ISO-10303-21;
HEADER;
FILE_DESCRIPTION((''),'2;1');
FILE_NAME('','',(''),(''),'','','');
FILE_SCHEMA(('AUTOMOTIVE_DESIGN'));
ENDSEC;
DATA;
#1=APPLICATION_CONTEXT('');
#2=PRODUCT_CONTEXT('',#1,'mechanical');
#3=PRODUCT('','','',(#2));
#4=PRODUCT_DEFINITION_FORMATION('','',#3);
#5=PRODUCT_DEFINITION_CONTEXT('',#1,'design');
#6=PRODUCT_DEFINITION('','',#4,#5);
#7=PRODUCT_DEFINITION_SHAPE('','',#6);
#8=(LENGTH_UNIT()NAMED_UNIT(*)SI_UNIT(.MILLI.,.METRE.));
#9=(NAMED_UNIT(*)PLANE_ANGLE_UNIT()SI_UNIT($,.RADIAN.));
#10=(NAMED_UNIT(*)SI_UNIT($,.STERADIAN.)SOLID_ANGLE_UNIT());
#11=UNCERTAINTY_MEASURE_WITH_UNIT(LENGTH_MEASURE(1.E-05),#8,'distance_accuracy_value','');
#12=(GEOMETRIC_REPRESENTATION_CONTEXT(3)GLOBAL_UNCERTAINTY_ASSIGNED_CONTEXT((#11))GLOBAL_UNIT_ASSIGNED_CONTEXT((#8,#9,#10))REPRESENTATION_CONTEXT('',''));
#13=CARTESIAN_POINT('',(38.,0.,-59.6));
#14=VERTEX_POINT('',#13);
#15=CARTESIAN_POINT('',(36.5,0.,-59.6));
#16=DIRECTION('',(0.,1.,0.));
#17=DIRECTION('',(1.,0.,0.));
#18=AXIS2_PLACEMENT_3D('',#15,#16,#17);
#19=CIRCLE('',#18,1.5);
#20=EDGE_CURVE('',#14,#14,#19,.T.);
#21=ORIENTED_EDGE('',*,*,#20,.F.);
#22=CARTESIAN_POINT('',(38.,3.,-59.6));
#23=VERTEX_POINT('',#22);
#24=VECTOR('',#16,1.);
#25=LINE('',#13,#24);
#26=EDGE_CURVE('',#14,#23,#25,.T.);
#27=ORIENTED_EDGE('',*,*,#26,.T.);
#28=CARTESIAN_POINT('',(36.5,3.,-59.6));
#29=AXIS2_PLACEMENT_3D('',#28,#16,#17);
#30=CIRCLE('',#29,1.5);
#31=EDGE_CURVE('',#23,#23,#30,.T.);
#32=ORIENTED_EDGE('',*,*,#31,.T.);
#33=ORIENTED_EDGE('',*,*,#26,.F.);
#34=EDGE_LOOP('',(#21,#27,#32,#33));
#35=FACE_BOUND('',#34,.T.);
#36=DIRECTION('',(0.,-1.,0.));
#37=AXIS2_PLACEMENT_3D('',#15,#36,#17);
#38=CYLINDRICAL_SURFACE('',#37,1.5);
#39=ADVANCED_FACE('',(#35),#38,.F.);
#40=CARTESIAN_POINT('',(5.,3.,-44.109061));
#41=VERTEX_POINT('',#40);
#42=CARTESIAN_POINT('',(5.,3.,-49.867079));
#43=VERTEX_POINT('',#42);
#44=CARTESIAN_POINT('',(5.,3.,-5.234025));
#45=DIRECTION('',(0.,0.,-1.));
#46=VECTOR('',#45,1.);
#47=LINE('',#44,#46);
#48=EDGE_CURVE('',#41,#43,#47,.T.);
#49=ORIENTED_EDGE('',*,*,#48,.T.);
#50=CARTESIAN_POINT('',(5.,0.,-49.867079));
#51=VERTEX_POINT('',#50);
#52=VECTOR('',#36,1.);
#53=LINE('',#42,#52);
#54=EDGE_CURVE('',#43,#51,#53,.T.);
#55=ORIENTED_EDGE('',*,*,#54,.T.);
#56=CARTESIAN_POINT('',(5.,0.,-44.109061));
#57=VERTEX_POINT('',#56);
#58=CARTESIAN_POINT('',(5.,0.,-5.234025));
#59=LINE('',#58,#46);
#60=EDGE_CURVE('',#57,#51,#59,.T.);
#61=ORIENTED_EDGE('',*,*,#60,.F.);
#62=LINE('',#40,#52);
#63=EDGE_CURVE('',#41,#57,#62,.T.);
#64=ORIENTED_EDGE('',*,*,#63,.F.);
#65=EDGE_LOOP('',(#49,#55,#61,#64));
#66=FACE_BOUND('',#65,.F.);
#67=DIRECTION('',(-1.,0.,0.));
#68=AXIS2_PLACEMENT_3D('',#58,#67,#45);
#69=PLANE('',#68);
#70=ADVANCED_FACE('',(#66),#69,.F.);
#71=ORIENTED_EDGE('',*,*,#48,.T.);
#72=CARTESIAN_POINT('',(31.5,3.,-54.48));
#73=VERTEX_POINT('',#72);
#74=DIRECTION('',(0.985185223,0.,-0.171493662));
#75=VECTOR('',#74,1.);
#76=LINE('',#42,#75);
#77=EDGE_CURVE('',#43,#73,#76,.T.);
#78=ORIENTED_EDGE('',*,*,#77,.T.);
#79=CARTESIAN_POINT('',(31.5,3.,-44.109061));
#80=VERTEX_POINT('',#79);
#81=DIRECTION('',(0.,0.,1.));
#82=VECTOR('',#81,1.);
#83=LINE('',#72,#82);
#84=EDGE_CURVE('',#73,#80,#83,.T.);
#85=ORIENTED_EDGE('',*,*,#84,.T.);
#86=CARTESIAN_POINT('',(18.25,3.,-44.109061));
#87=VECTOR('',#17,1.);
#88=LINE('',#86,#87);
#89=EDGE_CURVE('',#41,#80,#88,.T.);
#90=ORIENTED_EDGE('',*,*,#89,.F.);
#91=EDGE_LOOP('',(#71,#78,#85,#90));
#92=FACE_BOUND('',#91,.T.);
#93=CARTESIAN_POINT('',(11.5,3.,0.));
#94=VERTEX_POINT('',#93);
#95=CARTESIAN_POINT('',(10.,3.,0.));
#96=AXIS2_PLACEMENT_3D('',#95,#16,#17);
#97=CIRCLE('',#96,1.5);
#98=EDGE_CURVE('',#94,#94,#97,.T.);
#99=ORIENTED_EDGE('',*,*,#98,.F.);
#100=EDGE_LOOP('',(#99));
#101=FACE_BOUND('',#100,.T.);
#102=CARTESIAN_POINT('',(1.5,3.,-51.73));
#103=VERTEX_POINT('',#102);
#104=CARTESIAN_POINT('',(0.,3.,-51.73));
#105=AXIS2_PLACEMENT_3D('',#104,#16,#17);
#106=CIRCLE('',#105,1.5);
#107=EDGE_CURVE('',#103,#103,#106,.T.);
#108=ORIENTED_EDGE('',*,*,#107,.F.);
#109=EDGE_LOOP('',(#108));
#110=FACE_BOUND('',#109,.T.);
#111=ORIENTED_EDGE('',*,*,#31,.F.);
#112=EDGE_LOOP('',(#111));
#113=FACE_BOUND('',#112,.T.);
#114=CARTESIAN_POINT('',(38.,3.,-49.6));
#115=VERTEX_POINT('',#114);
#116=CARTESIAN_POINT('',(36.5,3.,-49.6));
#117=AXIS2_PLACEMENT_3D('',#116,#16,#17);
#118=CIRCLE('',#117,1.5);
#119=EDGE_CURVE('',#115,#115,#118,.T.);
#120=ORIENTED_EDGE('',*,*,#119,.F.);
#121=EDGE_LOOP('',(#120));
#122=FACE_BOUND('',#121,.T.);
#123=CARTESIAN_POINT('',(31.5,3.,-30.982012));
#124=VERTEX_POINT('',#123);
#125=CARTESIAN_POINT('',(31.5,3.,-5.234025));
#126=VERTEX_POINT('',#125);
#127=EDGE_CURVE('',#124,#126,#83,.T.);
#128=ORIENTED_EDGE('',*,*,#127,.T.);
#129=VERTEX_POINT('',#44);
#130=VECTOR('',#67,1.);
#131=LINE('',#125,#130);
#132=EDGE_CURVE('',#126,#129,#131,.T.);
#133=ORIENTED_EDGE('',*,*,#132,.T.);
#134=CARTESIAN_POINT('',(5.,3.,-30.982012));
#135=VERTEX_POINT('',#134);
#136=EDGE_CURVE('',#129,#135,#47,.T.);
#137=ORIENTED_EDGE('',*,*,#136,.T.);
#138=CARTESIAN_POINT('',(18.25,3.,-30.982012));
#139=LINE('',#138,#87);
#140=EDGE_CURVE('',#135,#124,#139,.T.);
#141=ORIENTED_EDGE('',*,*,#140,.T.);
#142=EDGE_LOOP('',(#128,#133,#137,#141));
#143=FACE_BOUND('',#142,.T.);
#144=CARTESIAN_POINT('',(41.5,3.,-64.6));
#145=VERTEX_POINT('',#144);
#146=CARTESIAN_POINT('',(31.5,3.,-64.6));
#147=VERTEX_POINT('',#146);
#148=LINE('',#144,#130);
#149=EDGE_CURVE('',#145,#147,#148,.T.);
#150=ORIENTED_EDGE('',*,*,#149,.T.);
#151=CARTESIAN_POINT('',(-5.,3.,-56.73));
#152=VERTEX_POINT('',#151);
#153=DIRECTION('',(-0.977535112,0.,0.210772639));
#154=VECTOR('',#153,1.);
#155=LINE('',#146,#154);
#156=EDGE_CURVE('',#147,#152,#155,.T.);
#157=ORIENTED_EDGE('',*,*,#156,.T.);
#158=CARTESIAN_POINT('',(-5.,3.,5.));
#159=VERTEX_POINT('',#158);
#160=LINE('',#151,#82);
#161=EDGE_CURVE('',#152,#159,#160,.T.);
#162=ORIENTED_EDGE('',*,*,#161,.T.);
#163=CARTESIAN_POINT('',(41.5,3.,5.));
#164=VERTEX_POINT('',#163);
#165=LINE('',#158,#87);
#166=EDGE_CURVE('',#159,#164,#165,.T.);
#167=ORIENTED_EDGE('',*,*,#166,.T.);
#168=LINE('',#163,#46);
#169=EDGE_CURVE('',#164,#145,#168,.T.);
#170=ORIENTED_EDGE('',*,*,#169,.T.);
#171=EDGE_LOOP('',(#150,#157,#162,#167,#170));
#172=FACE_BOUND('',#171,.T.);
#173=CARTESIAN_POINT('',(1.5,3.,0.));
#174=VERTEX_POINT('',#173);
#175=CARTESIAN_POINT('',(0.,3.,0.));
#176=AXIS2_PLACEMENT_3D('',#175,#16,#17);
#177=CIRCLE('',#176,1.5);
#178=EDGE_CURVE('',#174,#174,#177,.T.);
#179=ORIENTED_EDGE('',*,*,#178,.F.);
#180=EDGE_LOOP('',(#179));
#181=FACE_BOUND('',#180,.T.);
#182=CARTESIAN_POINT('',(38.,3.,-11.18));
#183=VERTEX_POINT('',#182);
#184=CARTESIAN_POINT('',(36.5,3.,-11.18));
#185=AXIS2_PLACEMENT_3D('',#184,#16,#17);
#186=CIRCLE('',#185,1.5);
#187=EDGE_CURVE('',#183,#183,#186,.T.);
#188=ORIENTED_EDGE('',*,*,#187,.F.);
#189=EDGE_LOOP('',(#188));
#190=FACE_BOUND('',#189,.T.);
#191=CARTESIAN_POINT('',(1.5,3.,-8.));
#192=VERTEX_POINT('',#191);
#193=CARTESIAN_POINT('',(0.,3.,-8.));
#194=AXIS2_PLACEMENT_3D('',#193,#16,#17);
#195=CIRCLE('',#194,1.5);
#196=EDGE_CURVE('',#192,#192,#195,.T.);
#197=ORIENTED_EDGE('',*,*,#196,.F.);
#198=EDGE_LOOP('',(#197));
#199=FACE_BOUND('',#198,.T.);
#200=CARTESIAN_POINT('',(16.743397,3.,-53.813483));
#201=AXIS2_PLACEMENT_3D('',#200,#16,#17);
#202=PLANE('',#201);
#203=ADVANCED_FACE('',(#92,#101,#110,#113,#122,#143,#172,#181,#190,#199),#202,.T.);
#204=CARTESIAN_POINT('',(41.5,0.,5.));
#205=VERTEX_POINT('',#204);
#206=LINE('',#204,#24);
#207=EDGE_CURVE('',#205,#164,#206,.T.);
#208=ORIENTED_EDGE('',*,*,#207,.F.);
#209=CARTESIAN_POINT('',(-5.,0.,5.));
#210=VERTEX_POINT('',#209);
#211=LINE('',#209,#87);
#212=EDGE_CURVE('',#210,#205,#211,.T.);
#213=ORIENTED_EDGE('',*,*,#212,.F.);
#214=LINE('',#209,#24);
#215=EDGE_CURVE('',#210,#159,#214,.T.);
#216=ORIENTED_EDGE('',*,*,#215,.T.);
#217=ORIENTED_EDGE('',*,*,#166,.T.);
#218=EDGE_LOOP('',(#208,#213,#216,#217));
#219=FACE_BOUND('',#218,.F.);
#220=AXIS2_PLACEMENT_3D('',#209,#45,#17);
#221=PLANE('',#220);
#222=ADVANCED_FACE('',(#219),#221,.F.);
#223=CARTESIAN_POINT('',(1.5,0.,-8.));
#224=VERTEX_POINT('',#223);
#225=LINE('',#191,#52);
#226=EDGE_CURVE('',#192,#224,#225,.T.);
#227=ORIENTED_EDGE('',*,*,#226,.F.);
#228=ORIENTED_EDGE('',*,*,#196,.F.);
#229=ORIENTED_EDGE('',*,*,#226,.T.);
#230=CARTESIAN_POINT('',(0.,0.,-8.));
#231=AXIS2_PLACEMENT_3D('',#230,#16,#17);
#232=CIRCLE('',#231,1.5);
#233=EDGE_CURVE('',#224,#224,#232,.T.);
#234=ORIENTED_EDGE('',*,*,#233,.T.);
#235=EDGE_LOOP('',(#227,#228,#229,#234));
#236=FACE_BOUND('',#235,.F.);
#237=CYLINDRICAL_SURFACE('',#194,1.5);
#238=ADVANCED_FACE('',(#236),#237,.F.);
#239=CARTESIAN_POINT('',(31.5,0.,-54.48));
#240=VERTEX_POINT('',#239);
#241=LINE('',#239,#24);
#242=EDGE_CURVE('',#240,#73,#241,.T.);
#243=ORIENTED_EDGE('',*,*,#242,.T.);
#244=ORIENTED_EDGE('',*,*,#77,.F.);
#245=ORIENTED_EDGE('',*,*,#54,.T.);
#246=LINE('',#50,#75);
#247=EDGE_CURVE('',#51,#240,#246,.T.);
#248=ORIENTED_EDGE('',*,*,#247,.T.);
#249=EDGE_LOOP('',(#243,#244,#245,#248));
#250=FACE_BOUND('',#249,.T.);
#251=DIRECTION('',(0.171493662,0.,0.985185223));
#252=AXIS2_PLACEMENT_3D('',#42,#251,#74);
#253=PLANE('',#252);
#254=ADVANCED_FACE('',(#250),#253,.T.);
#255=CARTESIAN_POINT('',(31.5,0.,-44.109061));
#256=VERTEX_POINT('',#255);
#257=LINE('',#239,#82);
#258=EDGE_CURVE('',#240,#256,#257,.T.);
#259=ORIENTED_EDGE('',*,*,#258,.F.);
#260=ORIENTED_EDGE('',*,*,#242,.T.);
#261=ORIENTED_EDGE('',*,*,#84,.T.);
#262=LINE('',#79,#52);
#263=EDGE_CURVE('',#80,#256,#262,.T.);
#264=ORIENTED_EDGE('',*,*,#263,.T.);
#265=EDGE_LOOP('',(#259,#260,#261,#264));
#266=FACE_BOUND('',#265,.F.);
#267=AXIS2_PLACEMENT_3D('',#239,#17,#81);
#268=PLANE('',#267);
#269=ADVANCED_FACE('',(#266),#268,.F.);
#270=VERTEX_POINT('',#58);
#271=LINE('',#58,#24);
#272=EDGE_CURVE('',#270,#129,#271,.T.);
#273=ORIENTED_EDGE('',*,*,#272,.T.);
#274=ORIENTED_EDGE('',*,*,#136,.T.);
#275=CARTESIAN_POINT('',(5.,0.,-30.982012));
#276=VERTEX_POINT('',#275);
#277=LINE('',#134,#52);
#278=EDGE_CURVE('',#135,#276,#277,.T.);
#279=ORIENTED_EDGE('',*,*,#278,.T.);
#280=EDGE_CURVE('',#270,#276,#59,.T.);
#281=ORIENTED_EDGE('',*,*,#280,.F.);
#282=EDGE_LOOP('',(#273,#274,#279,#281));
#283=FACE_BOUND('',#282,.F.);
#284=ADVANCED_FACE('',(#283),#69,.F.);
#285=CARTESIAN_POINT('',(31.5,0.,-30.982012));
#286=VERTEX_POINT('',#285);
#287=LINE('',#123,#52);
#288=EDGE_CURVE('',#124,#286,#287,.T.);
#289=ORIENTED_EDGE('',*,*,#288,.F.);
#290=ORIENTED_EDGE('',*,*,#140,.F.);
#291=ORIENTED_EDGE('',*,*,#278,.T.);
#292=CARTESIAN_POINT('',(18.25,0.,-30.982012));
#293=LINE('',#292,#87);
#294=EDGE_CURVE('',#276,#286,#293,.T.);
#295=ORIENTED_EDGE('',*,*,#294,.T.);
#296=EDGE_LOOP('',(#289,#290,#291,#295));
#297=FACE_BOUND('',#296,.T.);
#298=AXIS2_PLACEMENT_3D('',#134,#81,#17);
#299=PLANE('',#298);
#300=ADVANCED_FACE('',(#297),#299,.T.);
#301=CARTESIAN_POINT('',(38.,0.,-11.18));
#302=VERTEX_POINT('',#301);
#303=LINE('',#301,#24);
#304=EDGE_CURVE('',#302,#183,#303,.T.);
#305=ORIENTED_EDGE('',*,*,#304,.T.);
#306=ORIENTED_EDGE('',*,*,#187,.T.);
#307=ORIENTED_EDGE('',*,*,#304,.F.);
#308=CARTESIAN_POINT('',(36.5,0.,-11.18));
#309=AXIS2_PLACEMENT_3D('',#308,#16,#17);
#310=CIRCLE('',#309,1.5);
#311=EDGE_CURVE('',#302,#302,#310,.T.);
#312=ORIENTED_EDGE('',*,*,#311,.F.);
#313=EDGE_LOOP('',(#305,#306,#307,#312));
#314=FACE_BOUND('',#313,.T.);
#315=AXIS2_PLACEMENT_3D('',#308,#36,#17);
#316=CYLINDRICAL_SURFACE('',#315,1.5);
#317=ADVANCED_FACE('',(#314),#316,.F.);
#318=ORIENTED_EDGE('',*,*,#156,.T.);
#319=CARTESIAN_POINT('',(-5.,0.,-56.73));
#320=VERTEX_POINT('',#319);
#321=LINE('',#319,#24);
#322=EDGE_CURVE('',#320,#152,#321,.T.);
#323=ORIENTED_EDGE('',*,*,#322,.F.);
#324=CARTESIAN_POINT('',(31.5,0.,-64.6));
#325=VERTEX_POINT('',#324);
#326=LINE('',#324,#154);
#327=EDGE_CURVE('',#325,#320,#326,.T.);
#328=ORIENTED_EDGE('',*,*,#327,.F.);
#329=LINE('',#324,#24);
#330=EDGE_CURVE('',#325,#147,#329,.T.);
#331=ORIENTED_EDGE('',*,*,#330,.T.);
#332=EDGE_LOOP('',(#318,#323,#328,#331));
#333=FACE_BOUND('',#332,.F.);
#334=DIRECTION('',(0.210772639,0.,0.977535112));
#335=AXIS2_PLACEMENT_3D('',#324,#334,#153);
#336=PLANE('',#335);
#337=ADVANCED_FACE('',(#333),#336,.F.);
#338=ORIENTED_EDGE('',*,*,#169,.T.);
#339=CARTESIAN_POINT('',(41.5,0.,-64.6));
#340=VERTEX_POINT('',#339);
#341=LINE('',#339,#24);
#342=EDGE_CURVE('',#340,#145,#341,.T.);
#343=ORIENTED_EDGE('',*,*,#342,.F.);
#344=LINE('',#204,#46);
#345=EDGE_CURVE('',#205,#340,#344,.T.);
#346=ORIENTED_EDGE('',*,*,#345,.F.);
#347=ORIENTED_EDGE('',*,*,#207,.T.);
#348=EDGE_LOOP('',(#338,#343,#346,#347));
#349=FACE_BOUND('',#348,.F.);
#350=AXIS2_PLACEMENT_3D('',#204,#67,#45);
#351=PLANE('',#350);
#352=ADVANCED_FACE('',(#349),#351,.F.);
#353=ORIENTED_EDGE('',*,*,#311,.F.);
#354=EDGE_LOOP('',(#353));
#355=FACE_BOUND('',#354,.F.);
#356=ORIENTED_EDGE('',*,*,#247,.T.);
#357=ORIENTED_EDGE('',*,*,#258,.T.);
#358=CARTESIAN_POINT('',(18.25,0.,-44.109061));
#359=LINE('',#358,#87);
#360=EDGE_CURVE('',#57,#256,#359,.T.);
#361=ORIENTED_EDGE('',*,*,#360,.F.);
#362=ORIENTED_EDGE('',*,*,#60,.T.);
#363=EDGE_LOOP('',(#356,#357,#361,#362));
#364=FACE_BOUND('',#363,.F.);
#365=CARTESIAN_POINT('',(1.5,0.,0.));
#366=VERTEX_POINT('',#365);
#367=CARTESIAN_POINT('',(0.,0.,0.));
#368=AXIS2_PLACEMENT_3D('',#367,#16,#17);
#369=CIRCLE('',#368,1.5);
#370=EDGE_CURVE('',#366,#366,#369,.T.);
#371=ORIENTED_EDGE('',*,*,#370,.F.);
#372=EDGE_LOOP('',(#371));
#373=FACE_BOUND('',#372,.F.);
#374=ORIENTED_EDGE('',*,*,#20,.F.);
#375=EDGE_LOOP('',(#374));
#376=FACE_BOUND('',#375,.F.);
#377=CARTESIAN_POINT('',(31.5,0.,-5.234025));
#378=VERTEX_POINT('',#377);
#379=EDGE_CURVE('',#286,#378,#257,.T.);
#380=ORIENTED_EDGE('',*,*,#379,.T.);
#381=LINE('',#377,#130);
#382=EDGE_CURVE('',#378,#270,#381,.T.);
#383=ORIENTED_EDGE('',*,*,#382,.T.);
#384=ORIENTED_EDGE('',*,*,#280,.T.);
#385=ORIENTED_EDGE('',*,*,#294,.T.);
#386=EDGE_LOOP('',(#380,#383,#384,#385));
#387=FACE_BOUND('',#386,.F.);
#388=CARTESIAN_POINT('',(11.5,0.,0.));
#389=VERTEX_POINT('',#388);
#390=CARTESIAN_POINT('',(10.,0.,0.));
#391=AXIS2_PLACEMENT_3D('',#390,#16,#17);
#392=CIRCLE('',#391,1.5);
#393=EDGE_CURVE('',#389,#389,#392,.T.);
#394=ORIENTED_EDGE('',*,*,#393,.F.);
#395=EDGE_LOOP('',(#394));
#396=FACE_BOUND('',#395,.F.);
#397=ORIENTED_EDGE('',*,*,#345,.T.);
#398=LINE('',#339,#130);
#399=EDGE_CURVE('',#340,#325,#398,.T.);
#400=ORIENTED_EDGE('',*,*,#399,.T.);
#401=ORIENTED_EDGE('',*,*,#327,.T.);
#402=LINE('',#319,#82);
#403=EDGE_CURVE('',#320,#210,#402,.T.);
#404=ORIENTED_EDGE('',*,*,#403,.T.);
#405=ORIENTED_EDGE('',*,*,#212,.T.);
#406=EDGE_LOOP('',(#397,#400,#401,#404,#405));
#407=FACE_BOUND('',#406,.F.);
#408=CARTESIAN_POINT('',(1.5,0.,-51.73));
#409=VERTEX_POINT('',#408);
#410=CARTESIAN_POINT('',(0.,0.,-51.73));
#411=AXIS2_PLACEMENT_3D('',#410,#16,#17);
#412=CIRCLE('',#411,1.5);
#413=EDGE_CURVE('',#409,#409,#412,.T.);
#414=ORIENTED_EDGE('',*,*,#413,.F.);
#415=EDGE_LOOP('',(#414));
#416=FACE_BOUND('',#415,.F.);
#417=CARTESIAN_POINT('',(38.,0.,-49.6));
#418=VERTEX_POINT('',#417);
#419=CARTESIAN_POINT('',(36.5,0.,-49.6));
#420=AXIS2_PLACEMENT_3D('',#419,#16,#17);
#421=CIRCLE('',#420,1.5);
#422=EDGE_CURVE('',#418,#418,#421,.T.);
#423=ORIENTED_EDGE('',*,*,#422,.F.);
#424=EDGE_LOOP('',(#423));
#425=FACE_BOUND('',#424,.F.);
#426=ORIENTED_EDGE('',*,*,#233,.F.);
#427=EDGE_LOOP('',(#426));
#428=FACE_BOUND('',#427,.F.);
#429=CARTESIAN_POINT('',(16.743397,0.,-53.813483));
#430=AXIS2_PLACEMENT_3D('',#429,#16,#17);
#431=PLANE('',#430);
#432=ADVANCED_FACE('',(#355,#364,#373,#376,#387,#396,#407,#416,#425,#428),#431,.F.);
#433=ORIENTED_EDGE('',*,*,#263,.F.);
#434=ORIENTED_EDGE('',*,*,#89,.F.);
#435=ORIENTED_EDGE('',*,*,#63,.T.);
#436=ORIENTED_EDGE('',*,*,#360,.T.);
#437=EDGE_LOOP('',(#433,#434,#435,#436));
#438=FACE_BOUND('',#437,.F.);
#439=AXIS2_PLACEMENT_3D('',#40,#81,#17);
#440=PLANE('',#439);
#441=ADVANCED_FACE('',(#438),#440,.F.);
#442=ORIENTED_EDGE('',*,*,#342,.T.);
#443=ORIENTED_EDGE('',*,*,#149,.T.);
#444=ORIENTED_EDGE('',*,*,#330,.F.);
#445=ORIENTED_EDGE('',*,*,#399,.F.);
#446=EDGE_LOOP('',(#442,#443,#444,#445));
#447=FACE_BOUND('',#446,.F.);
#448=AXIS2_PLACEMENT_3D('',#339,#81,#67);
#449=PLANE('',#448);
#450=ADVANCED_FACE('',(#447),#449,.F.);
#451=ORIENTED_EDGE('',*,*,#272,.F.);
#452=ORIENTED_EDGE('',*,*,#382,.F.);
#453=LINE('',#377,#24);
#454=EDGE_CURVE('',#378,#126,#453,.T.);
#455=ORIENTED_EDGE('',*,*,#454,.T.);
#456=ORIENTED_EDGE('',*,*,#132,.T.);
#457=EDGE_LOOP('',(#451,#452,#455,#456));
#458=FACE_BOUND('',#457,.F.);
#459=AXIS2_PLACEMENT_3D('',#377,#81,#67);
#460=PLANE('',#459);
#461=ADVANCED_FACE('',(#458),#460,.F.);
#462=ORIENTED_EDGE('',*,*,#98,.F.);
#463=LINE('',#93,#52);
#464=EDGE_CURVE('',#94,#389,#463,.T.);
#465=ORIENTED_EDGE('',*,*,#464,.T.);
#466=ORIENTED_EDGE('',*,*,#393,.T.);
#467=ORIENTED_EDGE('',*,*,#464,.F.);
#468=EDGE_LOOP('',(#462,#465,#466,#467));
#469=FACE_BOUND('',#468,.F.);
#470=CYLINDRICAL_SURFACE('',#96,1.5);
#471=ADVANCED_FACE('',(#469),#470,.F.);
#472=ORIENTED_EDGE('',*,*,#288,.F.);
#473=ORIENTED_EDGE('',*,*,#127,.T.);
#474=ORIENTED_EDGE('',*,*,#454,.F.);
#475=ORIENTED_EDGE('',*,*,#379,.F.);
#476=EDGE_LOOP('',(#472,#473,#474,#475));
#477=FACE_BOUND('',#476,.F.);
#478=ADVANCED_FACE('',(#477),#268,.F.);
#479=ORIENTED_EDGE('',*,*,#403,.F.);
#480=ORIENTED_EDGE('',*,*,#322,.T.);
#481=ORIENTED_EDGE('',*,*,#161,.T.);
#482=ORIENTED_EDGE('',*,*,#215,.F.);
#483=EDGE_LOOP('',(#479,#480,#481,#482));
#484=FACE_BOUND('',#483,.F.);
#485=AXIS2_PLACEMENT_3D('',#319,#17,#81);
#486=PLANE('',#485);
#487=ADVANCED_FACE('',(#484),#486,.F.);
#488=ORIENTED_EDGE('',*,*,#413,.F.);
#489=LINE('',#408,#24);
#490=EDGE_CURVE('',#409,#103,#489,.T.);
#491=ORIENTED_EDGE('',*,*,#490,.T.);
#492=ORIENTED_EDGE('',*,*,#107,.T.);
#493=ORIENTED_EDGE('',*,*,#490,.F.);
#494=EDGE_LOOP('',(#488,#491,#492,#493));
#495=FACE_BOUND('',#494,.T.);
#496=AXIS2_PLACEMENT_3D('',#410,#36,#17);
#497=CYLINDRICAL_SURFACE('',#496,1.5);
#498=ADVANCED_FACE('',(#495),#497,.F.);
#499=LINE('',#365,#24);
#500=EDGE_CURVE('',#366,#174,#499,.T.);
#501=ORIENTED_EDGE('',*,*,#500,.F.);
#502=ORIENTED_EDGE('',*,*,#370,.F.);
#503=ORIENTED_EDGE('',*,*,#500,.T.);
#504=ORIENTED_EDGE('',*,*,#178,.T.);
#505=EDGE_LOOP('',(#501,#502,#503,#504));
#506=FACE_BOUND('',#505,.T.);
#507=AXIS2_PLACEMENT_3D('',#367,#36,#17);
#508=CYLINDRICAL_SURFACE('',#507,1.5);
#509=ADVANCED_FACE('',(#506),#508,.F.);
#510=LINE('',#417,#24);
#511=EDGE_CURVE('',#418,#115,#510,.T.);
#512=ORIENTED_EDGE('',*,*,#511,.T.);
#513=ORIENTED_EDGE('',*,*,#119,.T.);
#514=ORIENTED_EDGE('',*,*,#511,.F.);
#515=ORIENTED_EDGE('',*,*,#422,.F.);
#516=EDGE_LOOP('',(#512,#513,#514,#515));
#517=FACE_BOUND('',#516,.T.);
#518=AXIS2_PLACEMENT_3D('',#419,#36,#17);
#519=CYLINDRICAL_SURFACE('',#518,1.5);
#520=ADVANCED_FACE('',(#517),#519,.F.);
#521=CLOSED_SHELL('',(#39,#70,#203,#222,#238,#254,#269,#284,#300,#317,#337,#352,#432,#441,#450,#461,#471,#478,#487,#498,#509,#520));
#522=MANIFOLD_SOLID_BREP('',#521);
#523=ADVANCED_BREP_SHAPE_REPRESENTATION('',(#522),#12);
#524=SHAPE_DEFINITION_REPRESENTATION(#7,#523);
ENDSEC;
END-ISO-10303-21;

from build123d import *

# Parameters (mm, degrees)
SKETCH1_R           = 1.5
BOSS_EXTRUDE1_DEPTH = 3
SKETCH2_W           = 26.5
SKETCH2_H           = 13.12704922
BOSS_EXTRUDE2_DEPTH = 3
SKETCH3_R           = 1.5
CUT_EXTRUDE1_DEPTH  = 10
SKETCH4_R           = 1.5
CUT_EXTRUDE2_DEPTH  = 10


with BuildPart() as part:
    # Sketch1 → Boss-Extrude1 (new body)
    with BuildSketch(Plane(origin=(0, 0, 0), x_dir=(1, 0, 0), z_dir=(0, 1, 0))):
        Polygon((-5, -5), (41.5, -5), (41.5, 64.6), (31.5, 64.6), (-5, 56.73), align=None)
        Polygon((31.5, 54.48), (31.5, 5.234024539), (5, 5.234024539), (5, 56.73), align=None, mode=Mode.SUBTRACT)
        Circle(SKETCH1_R, mode=Mode.SUBTRACT)
        with Locations((0, 51.73)):
            Circle(SKETCH1_R, mode=Mode.SUBTRACT)
        with Locations((36.5, 59.6)):
            Circle(SKETCH1_R, mode=Mode.SUBTRACT)
        with Locations((36.5, 11.18)):
            Circle(SKETCH1_R, mode=Mode.SUBTRACT)
        with Locations((36.5, 49.6)):
            Circle(SKETCH1_R, mode=Mode.SUBTRACT)
    extrude(amount=BOSS_EXTRUDE1_DEPTH)

    # Sketch2 → Boss-Extrude2 (add)
    with BuildSketch(Plane(origin=(0, 3, 0), x_dir=(1, 0, 0), z_dir=(0, 1, 0))):
        with Locations((18.25, 37.545536879)):
            Rectangle(SKETCH2_W, SKETCH2_H)
        Polygon((5, 56.73), (5, 49.867078553), (31.5, 54.48), align=None)
    extrude(amount=-BOSS_EXTRUDE2_DEPTH)

    # Sketch3 → Cut-Extrude1 (cut)
    with BuildSketch(Plane(origin=(0, 3, 0), x_dir=(1, 0, 0), z_dir=(0, 1, 0))):
        with Locations((10, 0)):
            Circle(SKETCH3_R)
    extrude(amount=-CUT_EXTRUDE1_DEPTH, mode=Mode.SUBTRACT)

    # Sketch4 → Cut-Extrude2 (cut)
    with BuildSketch(Plane(origin=(0, 3, 0), x_dir=(1, 0, 0), z_dir=(0, 1, 0))):
        with Locations((0, 8)):
            Circle(SKETCH4_R)
    extrude(amount=-CUT_EXTRUDE2_DEPTH, mode=Mode.SUBTRACT)


solid = part.part
